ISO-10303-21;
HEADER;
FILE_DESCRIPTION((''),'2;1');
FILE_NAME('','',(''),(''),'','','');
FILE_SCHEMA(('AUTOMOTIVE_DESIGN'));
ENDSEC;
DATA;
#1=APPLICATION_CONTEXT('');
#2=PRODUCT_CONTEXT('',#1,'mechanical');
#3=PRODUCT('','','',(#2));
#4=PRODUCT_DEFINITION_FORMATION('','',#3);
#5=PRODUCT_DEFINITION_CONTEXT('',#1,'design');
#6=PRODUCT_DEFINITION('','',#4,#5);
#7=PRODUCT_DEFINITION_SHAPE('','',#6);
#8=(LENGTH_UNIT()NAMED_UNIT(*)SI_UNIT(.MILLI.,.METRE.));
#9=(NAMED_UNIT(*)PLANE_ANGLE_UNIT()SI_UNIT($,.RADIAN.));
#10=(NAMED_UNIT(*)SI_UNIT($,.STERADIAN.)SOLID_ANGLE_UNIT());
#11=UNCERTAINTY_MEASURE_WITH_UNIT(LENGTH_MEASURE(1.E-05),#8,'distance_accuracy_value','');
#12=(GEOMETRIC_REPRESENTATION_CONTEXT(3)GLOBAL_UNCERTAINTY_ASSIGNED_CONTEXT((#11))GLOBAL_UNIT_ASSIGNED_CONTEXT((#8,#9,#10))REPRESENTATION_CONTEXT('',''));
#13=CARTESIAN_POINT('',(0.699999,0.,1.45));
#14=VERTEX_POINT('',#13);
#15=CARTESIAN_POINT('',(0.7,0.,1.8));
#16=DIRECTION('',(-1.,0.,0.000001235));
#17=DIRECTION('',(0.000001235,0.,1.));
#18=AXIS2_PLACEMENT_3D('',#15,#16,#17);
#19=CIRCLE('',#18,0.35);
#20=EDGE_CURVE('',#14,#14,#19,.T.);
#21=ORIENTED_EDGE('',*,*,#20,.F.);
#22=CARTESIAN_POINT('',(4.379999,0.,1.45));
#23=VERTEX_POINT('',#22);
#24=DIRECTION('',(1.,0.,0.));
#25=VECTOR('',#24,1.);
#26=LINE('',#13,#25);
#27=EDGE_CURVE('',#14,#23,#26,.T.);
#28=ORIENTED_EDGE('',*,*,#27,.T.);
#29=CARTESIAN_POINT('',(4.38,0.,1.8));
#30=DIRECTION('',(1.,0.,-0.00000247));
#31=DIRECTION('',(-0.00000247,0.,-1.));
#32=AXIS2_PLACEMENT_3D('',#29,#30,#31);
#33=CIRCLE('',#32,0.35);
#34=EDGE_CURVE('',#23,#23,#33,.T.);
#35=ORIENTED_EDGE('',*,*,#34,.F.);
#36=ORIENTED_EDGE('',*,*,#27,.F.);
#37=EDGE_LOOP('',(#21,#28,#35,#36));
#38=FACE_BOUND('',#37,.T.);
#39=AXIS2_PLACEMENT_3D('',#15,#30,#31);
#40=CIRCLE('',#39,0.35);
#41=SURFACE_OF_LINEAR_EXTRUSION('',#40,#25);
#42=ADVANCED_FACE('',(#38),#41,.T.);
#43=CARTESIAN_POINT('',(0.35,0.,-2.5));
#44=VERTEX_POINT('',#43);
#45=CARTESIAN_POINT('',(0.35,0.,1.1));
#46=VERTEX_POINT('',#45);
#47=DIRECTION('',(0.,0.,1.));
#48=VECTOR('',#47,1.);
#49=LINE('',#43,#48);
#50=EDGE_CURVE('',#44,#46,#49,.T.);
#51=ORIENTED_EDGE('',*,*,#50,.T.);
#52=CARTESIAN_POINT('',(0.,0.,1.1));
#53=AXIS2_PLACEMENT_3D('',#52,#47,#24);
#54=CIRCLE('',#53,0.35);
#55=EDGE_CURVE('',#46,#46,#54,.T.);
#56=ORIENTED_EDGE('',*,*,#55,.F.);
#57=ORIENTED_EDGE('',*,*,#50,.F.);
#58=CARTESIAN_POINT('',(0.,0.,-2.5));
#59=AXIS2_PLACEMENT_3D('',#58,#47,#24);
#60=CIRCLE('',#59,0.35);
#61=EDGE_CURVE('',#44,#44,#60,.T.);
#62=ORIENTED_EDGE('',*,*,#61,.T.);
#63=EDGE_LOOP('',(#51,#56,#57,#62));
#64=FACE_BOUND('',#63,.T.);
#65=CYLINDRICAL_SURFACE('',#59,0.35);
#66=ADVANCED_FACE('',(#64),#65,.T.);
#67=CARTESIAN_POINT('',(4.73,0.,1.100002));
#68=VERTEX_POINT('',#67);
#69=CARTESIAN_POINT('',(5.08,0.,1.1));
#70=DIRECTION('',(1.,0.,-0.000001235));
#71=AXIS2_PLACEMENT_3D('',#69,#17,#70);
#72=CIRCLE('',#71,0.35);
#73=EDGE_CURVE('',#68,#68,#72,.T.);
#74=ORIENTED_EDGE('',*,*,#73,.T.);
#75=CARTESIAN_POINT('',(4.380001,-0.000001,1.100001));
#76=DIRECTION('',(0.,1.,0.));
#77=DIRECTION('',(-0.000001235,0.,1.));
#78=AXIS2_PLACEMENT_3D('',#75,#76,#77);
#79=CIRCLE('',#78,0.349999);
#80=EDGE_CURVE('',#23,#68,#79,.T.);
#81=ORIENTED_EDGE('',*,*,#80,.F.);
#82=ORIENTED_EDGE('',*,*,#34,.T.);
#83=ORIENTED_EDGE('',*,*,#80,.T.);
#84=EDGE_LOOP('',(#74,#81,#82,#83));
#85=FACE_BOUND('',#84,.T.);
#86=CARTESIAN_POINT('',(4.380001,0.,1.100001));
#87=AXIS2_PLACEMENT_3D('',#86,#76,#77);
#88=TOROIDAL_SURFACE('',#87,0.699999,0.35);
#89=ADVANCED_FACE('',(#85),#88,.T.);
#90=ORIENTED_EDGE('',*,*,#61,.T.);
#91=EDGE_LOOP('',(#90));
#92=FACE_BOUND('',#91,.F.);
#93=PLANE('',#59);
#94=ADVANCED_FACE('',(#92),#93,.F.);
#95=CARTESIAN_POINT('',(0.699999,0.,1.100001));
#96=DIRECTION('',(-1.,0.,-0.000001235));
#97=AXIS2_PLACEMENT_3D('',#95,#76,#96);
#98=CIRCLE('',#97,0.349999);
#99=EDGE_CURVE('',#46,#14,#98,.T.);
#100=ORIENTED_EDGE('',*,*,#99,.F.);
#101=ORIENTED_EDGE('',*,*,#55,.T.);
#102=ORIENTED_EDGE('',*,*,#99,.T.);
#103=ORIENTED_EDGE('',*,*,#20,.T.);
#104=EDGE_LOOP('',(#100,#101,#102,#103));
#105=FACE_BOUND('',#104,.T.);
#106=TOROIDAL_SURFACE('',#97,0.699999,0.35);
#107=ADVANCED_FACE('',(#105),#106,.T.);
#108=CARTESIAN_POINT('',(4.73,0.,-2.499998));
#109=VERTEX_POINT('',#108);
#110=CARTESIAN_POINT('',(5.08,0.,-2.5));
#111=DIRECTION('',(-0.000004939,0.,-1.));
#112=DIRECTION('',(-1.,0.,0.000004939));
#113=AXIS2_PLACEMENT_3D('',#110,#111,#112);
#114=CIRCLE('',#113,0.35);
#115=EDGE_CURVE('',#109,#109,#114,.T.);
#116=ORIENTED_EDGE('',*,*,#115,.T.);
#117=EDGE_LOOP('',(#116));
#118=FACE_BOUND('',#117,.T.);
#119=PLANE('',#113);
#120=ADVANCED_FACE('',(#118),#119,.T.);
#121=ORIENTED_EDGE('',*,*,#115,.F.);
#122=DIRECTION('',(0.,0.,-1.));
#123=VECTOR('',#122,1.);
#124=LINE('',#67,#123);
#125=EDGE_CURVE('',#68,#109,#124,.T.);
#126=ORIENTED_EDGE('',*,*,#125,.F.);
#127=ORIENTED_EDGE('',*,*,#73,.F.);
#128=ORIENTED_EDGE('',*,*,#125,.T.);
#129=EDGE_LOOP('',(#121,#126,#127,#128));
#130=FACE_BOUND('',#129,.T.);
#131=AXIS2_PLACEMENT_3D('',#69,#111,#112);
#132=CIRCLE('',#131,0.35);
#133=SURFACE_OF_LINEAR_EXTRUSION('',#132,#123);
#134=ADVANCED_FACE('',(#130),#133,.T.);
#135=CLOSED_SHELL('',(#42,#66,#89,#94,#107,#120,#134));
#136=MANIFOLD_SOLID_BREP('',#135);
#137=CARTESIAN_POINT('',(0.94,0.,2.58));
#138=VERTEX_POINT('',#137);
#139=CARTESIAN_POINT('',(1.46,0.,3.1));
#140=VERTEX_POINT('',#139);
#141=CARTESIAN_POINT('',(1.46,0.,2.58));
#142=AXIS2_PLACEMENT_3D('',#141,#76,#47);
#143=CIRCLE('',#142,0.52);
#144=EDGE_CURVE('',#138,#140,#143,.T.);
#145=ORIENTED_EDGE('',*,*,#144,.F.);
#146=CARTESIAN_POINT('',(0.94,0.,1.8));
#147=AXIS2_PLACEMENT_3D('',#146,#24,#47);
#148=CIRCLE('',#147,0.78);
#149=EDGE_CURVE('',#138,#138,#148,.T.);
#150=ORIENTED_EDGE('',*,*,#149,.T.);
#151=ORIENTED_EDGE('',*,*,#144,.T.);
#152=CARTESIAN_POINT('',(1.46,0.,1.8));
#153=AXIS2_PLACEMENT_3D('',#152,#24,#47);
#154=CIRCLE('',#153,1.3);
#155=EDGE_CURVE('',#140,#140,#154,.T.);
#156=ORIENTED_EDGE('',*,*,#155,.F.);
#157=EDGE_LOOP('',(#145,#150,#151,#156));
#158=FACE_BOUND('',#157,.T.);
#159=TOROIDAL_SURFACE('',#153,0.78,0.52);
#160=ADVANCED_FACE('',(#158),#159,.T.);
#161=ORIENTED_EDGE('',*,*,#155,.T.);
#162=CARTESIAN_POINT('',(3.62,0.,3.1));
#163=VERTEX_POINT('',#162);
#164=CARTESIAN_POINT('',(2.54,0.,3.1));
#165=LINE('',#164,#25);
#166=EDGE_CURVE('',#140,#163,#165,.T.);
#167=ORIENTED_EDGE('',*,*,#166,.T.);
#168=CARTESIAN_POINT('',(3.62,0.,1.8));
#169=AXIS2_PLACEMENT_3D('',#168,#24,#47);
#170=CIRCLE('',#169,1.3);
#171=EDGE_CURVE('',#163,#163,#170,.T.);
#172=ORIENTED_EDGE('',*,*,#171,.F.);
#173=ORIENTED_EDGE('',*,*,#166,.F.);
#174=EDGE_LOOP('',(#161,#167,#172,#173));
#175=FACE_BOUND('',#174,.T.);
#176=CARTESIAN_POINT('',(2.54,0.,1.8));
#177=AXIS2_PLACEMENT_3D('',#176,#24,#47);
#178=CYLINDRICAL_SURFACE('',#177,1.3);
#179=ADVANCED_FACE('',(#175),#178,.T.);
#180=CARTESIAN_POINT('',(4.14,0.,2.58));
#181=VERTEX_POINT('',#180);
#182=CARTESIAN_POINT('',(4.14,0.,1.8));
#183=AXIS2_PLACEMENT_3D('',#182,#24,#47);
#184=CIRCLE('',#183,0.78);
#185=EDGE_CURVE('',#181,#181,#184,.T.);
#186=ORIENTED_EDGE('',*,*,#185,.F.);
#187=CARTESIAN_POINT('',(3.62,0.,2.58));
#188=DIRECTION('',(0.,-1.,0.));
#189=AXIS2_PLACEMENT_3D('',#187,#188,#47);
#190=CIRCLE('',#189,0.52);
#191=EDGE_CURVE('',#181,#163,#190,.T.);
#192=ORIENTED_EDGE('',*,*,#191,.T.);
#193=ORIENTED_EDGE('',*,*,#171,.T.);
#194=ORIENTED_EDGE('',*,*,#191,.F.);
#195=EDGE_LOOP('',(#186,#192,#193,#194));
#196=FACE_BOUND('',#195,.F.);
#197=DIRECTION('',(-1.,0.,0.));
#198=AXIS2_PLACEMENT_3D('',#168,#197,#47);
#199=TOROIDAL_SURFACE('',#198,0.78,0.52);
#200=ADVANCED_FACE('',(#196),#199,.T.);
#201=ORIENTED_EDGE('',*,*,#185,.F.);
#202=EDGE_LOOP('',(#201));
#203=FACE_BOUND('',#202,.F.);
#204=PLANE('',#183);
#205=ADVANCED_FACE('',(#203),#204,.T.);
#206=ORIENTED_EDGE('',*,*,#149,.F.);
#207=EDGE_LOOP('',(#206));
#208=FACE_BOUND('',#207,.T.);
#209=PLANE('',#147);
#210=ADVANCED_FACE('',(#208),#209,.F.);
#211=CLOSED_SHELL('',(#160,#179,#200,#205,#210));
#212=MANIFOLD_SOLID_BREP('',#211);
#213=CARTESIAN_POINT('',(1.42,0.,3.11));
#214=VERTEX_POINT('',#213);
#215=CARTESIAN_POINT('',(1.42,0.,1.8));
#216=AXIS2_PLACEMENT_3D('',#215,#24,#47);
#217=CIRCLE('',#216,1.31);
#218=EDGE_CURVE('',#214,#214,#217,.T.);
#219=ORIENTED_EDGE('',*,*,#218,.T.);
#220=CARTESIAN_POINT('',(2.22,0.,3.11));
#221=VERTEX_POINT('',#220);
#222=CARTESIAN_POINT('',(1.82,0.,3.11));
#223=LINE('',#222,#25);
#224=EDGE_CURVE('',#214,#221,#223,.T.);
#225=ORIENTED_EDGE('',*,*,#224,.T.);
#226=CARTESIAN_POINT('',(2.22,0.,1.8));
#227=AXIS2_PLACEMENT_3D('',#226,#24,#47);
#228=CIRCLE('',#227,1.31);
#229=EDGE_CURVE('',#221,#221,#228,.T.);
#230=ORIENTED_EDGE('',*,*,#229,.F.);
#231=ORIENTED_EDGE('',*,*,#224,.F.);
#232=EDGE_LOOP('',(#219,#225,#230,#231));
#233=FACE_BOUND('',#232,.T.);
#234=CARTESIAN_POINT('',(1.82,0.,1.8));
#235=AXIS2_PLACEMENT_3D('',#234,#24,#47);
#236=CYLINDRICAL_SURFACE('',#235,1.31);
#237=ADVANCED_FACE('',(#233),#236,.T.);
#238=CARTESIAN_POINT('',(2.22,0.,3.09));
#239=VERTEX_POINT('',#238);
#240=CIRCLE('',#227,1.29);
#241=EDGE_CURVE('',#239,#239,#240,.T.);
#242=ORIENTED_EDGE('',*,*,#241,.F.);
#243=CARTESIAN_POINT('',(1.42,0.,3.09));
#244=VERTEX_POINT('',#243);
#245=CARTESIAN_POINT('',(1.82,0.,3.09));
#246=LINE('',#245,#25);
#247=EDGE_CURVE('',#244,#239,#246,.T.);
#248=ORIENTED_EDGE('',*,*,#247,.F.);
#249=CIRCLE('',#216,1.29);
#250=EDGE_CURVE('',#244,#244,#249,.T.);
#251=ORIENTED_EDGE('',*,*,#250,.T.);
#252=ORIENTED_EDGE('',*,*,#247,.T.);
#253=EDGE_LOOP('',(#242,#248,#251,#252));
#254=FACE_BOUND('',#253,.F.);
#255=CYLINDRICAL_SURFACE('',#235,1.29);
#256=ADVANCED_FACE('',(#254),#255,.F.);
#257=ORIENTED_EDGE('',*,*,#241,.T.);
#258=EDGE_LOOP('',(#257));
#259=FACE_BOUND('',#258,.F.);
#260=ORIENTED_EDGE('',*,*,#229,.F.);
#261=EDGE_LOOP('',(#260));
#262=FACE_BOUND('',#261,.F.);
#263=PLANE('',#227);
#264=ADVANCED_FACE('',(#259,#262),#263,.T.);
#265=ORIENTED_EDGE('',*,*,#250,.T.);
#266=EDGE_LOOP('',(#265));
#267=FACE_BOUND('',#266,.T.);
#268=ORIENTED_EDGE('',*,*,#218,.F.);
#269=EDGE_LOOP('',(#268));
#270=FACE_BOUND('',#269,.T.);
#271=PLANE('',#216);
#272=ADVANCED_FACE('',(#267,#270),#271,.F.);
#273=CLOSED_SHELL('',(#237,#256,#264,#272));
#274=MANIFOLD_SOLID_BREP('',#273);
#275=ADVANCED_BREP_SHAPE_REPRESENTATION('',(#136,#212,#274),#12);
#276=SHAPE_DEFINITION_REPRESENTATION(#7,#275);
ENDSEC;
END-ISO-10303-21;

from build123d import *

# Parameters (mm, degrees)
SKETCH002_W = 3.2
SKETCH002_H = 1.3
FILLET_R    = 0.52
SKETCH003_W = 0.8
SKETCH003_H = 0.02
SKETCH_R    = 0.35


with BuildPart() as fillet_body:
    # Sketch002 → Revolution (revolve)
    with BuildSketch(Plane.XZ):
        with Locations((2.54, 2.45)):
            Rectangle(SKETCH002_W, SKETCH002_H)
    revolve(axis=Axis((0.94, 0, 1.8), (1, 0, 0)))

    # Fillet
    fillet_edges = [fillet_body.edges().sort_by_distance(p)[0] for p in [
        (0.94, 0, 0.5),
        (4.14, 0, 0.5),
    ]]
    fillet(fillet_edges, radius=FILLET_R)


with BuildPart() as revolution001:
    # Sketch003 → Revolution001 (revolve)
    with BuildSketch(Plane.XZ):
        with Locations((1.82, 3.1)):
            Rectangle(SKETCH003_W, SKETCH003_H)
    revolve(axis=Axis((0, 0, 1.8), (1, 0, 0)))


with BuildPart() as sweep_body:
    # Sweep: sweep along a path in Sketch001
    with BuildLine(Plane.XZ) as sweep_path:
        Line((0, -2.5), (0, 1.1))
        ThreePointArc((0, 1.1), (0.205025, 1.594975), (0.7, 1.8))
        Line((0.7, 1.8), (4.38, 1.8))
        ThreePointArc((4.38, 1.8), (4.874975, 1.594975), (5.08, 1.1))
        Line((5.08, 1.1), (5.08, -2.5))
    # Sketch → Sweep (sweep)
    with BuildSketch(Plane.XY.offset(-2)):
        Circle(SKETCH_R)
    sweep(path=sweep_path.line)


solid = Compound([fillet_body.part, revolution001.part, sweep_body.part])
